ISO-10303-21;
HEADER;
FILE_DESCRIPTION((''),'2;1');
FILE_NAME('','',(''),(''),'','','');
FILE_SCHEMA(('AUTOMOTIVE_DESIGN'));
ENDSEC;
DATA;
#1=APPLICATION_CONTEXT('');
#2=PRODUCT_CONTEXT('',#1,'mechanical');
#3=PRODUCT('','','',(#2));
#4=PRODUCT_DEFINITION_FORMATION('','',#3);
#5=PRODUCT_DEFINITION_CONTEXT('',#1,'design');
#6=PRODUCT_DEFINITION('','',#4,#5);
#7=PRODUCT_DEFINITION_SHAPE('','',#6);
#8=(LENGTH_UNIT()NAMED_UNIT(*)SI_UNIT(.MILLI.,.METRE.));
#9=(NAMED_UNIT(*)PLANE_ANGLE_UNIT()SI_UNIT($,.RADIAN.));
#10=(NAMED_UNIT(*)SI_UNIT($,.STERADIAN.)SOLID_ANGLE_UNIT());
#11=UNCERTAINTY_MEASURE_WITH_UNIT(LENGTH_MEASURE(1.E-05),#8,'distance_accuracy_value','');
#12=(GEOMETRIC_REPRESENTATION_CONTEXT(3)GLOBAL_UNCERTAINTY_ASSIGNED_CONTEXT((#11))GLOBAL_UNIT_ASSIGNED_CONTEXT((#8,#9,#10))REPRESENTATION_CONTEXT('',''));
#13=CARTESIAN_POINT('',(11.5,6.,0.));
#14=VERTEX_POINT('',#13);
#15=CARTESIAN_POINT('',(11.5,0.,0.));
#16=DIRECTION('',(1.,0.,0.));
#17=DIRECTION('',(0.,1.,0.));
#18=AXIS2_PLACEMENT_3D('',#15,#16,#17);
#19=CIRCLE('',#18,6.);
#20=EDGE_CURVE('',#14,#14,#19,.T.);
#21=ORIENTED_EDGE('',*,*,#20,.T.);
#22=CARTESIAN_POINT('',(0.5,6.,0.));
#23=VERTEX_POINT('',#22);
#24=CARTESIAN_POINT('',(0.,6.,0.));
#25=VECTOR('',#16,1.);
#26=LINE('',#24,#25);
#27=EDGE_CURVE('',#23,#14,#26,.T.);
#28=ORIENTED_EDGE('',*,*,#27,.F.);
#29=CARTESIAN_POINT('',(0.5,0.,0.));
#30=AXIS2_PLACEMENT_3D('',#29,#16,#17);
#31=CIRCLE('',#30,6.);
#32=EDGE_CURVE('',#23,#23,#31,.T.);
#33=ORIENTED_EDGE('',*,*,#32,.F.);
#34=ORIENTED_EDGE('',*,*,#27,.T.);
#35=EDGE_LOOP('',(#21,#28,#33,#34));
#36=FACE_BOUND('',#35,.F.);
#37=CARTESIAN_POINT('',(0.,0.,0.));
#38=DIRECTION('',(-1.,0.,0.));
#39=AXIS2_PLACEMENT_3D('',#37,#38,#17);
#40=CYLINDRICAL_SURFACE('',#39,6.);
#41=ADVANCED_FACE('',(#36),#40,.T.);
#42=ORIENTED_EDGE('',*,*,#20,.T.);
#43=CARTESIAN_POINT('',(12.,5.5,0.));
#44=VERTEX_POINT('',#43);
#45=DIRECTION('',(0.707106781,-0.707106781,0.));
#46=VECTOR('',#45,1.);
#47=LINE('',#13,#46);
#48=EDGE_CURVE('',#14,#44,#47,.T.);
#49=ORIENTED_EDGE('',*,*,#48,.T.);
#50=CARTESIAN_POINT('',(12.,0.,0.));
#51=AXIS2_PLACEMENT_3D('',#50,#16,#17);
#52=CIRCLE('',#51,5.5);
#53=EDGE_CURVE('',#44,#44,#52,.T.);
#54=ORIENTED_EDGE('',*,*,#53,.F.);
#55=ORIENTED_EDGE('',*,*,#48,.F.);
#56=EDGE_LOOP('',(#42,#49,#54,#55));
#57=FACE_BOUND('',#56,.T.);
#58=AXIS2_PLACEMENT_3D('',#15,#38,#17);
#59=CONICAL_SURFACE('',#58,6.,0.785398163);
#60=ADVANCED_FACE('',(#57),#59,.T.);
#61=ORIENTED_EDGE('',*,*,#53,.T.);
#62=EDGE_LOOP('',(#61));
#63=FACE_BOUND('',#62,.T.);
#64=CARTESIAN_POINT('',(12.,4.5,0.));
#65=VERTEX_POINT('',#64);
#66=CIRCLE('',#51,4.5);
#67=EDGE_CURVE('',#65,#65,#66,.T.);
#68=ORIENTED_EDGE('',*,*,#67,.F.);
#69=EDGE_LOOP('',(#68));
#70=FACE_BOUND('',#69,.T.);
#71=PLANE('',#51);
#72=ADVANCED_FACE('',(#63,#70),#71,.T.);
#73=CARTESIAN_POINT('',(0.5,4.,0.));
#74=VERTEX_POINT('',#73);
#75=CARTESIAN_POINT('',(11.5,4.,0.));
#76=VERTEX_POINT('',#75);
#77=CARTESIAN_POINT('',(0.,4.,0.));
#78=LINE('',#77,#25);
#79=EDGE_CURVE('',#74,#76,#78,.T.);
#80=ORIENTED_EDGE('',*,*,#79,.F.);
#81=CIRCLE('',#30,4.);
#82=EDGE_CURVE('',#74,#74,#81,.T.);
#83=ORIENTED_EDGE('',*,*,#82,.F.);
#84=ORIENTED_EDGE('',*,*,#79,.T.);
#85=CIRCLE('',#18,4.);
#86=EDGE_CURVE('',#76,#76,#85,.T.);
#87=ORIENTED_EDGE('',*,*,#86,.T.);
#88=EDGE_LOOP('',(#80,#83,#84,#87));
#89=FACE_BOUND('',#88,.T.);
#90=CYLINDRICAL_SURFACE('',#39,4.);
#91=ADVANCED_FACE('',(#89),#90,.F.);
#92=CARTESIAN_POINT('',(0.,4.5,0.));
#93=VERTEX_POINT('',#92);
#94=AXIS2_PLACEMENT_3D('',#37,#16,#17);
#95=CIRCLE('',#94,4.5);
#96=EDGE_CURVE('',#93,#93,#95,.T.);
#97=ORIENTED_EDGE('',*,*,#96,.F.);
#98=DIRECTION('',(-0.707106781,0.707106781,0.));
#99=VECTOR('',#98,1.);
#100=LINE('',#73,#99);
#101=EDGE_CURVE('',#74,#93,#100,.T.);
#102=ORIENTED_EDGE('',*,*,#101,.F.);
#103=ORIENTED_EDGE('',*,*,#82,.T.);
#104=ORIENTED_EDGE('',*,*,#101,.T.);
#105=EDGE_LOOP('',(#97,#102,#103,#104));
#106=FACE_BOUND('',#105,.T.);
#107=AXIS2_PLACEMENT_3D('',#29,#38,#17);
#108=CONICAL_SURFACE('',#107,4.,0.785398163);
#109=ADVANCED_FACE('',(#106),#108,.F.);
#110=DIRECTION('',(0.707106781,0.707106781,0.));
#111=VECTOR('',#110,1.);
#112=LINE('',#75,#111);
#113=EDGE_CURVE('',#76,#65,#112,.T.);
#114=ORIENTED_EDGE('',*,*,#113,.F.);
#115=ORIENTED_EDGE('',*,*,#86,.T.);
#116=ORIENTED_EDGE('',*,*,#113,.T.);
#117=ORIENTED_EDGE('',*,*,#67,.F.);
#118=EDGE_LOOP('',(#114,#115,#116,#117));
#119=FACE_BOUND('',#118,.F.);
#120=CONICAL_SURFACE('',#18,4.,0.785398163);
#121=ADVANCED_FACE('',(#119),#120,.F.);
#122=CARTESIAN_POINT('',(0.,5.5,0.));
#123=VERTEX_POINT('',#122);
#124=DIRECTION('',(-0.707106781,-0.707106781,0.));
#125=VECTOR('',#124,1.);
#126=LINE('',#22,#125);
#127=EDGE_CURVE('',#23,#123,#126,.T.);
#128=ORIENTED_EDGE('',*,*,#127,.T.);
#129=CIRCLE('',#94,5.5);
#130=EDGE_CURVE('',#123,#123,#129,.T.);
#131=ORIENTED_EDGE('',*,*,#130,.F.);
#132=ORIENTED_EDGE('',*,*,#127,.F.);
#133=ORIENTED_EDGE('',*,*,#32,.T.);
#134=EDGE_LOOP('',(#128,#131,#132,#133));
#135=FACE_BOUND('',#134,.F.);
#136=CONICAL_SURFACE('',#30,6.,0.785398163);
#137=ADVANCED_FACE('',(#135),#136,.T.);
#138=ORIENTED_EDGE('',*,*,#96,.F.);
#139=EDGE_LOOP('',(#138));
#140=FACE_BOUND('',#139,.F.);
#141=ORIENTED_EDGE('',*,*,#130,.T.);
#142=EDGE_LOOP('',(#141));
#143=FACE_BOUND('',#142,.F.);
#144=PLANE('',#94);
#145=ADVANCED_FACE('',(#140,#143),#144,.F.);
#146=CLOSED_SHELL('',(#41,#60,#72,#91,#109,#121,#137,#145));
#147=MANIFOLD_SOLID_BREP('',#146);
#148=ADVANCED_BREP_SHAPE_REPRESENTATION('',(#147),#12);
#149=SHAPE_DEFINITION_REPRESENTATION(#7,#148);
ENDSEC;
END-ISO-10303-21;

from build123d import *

# Parameters (mm, degrees)
F0_R     = 6
F0_R_2   = 4
F1_DEPTH = 12
F2_SIZE  = 0.5


with BuildPart() as f1:
    # F0 (on Right) → F1 (new body)
    with BuildSketch(Plane.YZ):
        Circle(F0_R)
        Circle(F0_R_2, mode=Mode.SUBTRACT)
    extrude(amount=F1_DEPTH)

    # F2
    f2_edges = [f1.edges().sort_by_distance(p)[0] for p in [
        (12, -6, 0),
        (12, -4, 0),
        (0, -6, 0),
        (0, -4, 0),
    ]]
    chamfer(f2_edges, length=F2_SIZE)


solid = f1.part
